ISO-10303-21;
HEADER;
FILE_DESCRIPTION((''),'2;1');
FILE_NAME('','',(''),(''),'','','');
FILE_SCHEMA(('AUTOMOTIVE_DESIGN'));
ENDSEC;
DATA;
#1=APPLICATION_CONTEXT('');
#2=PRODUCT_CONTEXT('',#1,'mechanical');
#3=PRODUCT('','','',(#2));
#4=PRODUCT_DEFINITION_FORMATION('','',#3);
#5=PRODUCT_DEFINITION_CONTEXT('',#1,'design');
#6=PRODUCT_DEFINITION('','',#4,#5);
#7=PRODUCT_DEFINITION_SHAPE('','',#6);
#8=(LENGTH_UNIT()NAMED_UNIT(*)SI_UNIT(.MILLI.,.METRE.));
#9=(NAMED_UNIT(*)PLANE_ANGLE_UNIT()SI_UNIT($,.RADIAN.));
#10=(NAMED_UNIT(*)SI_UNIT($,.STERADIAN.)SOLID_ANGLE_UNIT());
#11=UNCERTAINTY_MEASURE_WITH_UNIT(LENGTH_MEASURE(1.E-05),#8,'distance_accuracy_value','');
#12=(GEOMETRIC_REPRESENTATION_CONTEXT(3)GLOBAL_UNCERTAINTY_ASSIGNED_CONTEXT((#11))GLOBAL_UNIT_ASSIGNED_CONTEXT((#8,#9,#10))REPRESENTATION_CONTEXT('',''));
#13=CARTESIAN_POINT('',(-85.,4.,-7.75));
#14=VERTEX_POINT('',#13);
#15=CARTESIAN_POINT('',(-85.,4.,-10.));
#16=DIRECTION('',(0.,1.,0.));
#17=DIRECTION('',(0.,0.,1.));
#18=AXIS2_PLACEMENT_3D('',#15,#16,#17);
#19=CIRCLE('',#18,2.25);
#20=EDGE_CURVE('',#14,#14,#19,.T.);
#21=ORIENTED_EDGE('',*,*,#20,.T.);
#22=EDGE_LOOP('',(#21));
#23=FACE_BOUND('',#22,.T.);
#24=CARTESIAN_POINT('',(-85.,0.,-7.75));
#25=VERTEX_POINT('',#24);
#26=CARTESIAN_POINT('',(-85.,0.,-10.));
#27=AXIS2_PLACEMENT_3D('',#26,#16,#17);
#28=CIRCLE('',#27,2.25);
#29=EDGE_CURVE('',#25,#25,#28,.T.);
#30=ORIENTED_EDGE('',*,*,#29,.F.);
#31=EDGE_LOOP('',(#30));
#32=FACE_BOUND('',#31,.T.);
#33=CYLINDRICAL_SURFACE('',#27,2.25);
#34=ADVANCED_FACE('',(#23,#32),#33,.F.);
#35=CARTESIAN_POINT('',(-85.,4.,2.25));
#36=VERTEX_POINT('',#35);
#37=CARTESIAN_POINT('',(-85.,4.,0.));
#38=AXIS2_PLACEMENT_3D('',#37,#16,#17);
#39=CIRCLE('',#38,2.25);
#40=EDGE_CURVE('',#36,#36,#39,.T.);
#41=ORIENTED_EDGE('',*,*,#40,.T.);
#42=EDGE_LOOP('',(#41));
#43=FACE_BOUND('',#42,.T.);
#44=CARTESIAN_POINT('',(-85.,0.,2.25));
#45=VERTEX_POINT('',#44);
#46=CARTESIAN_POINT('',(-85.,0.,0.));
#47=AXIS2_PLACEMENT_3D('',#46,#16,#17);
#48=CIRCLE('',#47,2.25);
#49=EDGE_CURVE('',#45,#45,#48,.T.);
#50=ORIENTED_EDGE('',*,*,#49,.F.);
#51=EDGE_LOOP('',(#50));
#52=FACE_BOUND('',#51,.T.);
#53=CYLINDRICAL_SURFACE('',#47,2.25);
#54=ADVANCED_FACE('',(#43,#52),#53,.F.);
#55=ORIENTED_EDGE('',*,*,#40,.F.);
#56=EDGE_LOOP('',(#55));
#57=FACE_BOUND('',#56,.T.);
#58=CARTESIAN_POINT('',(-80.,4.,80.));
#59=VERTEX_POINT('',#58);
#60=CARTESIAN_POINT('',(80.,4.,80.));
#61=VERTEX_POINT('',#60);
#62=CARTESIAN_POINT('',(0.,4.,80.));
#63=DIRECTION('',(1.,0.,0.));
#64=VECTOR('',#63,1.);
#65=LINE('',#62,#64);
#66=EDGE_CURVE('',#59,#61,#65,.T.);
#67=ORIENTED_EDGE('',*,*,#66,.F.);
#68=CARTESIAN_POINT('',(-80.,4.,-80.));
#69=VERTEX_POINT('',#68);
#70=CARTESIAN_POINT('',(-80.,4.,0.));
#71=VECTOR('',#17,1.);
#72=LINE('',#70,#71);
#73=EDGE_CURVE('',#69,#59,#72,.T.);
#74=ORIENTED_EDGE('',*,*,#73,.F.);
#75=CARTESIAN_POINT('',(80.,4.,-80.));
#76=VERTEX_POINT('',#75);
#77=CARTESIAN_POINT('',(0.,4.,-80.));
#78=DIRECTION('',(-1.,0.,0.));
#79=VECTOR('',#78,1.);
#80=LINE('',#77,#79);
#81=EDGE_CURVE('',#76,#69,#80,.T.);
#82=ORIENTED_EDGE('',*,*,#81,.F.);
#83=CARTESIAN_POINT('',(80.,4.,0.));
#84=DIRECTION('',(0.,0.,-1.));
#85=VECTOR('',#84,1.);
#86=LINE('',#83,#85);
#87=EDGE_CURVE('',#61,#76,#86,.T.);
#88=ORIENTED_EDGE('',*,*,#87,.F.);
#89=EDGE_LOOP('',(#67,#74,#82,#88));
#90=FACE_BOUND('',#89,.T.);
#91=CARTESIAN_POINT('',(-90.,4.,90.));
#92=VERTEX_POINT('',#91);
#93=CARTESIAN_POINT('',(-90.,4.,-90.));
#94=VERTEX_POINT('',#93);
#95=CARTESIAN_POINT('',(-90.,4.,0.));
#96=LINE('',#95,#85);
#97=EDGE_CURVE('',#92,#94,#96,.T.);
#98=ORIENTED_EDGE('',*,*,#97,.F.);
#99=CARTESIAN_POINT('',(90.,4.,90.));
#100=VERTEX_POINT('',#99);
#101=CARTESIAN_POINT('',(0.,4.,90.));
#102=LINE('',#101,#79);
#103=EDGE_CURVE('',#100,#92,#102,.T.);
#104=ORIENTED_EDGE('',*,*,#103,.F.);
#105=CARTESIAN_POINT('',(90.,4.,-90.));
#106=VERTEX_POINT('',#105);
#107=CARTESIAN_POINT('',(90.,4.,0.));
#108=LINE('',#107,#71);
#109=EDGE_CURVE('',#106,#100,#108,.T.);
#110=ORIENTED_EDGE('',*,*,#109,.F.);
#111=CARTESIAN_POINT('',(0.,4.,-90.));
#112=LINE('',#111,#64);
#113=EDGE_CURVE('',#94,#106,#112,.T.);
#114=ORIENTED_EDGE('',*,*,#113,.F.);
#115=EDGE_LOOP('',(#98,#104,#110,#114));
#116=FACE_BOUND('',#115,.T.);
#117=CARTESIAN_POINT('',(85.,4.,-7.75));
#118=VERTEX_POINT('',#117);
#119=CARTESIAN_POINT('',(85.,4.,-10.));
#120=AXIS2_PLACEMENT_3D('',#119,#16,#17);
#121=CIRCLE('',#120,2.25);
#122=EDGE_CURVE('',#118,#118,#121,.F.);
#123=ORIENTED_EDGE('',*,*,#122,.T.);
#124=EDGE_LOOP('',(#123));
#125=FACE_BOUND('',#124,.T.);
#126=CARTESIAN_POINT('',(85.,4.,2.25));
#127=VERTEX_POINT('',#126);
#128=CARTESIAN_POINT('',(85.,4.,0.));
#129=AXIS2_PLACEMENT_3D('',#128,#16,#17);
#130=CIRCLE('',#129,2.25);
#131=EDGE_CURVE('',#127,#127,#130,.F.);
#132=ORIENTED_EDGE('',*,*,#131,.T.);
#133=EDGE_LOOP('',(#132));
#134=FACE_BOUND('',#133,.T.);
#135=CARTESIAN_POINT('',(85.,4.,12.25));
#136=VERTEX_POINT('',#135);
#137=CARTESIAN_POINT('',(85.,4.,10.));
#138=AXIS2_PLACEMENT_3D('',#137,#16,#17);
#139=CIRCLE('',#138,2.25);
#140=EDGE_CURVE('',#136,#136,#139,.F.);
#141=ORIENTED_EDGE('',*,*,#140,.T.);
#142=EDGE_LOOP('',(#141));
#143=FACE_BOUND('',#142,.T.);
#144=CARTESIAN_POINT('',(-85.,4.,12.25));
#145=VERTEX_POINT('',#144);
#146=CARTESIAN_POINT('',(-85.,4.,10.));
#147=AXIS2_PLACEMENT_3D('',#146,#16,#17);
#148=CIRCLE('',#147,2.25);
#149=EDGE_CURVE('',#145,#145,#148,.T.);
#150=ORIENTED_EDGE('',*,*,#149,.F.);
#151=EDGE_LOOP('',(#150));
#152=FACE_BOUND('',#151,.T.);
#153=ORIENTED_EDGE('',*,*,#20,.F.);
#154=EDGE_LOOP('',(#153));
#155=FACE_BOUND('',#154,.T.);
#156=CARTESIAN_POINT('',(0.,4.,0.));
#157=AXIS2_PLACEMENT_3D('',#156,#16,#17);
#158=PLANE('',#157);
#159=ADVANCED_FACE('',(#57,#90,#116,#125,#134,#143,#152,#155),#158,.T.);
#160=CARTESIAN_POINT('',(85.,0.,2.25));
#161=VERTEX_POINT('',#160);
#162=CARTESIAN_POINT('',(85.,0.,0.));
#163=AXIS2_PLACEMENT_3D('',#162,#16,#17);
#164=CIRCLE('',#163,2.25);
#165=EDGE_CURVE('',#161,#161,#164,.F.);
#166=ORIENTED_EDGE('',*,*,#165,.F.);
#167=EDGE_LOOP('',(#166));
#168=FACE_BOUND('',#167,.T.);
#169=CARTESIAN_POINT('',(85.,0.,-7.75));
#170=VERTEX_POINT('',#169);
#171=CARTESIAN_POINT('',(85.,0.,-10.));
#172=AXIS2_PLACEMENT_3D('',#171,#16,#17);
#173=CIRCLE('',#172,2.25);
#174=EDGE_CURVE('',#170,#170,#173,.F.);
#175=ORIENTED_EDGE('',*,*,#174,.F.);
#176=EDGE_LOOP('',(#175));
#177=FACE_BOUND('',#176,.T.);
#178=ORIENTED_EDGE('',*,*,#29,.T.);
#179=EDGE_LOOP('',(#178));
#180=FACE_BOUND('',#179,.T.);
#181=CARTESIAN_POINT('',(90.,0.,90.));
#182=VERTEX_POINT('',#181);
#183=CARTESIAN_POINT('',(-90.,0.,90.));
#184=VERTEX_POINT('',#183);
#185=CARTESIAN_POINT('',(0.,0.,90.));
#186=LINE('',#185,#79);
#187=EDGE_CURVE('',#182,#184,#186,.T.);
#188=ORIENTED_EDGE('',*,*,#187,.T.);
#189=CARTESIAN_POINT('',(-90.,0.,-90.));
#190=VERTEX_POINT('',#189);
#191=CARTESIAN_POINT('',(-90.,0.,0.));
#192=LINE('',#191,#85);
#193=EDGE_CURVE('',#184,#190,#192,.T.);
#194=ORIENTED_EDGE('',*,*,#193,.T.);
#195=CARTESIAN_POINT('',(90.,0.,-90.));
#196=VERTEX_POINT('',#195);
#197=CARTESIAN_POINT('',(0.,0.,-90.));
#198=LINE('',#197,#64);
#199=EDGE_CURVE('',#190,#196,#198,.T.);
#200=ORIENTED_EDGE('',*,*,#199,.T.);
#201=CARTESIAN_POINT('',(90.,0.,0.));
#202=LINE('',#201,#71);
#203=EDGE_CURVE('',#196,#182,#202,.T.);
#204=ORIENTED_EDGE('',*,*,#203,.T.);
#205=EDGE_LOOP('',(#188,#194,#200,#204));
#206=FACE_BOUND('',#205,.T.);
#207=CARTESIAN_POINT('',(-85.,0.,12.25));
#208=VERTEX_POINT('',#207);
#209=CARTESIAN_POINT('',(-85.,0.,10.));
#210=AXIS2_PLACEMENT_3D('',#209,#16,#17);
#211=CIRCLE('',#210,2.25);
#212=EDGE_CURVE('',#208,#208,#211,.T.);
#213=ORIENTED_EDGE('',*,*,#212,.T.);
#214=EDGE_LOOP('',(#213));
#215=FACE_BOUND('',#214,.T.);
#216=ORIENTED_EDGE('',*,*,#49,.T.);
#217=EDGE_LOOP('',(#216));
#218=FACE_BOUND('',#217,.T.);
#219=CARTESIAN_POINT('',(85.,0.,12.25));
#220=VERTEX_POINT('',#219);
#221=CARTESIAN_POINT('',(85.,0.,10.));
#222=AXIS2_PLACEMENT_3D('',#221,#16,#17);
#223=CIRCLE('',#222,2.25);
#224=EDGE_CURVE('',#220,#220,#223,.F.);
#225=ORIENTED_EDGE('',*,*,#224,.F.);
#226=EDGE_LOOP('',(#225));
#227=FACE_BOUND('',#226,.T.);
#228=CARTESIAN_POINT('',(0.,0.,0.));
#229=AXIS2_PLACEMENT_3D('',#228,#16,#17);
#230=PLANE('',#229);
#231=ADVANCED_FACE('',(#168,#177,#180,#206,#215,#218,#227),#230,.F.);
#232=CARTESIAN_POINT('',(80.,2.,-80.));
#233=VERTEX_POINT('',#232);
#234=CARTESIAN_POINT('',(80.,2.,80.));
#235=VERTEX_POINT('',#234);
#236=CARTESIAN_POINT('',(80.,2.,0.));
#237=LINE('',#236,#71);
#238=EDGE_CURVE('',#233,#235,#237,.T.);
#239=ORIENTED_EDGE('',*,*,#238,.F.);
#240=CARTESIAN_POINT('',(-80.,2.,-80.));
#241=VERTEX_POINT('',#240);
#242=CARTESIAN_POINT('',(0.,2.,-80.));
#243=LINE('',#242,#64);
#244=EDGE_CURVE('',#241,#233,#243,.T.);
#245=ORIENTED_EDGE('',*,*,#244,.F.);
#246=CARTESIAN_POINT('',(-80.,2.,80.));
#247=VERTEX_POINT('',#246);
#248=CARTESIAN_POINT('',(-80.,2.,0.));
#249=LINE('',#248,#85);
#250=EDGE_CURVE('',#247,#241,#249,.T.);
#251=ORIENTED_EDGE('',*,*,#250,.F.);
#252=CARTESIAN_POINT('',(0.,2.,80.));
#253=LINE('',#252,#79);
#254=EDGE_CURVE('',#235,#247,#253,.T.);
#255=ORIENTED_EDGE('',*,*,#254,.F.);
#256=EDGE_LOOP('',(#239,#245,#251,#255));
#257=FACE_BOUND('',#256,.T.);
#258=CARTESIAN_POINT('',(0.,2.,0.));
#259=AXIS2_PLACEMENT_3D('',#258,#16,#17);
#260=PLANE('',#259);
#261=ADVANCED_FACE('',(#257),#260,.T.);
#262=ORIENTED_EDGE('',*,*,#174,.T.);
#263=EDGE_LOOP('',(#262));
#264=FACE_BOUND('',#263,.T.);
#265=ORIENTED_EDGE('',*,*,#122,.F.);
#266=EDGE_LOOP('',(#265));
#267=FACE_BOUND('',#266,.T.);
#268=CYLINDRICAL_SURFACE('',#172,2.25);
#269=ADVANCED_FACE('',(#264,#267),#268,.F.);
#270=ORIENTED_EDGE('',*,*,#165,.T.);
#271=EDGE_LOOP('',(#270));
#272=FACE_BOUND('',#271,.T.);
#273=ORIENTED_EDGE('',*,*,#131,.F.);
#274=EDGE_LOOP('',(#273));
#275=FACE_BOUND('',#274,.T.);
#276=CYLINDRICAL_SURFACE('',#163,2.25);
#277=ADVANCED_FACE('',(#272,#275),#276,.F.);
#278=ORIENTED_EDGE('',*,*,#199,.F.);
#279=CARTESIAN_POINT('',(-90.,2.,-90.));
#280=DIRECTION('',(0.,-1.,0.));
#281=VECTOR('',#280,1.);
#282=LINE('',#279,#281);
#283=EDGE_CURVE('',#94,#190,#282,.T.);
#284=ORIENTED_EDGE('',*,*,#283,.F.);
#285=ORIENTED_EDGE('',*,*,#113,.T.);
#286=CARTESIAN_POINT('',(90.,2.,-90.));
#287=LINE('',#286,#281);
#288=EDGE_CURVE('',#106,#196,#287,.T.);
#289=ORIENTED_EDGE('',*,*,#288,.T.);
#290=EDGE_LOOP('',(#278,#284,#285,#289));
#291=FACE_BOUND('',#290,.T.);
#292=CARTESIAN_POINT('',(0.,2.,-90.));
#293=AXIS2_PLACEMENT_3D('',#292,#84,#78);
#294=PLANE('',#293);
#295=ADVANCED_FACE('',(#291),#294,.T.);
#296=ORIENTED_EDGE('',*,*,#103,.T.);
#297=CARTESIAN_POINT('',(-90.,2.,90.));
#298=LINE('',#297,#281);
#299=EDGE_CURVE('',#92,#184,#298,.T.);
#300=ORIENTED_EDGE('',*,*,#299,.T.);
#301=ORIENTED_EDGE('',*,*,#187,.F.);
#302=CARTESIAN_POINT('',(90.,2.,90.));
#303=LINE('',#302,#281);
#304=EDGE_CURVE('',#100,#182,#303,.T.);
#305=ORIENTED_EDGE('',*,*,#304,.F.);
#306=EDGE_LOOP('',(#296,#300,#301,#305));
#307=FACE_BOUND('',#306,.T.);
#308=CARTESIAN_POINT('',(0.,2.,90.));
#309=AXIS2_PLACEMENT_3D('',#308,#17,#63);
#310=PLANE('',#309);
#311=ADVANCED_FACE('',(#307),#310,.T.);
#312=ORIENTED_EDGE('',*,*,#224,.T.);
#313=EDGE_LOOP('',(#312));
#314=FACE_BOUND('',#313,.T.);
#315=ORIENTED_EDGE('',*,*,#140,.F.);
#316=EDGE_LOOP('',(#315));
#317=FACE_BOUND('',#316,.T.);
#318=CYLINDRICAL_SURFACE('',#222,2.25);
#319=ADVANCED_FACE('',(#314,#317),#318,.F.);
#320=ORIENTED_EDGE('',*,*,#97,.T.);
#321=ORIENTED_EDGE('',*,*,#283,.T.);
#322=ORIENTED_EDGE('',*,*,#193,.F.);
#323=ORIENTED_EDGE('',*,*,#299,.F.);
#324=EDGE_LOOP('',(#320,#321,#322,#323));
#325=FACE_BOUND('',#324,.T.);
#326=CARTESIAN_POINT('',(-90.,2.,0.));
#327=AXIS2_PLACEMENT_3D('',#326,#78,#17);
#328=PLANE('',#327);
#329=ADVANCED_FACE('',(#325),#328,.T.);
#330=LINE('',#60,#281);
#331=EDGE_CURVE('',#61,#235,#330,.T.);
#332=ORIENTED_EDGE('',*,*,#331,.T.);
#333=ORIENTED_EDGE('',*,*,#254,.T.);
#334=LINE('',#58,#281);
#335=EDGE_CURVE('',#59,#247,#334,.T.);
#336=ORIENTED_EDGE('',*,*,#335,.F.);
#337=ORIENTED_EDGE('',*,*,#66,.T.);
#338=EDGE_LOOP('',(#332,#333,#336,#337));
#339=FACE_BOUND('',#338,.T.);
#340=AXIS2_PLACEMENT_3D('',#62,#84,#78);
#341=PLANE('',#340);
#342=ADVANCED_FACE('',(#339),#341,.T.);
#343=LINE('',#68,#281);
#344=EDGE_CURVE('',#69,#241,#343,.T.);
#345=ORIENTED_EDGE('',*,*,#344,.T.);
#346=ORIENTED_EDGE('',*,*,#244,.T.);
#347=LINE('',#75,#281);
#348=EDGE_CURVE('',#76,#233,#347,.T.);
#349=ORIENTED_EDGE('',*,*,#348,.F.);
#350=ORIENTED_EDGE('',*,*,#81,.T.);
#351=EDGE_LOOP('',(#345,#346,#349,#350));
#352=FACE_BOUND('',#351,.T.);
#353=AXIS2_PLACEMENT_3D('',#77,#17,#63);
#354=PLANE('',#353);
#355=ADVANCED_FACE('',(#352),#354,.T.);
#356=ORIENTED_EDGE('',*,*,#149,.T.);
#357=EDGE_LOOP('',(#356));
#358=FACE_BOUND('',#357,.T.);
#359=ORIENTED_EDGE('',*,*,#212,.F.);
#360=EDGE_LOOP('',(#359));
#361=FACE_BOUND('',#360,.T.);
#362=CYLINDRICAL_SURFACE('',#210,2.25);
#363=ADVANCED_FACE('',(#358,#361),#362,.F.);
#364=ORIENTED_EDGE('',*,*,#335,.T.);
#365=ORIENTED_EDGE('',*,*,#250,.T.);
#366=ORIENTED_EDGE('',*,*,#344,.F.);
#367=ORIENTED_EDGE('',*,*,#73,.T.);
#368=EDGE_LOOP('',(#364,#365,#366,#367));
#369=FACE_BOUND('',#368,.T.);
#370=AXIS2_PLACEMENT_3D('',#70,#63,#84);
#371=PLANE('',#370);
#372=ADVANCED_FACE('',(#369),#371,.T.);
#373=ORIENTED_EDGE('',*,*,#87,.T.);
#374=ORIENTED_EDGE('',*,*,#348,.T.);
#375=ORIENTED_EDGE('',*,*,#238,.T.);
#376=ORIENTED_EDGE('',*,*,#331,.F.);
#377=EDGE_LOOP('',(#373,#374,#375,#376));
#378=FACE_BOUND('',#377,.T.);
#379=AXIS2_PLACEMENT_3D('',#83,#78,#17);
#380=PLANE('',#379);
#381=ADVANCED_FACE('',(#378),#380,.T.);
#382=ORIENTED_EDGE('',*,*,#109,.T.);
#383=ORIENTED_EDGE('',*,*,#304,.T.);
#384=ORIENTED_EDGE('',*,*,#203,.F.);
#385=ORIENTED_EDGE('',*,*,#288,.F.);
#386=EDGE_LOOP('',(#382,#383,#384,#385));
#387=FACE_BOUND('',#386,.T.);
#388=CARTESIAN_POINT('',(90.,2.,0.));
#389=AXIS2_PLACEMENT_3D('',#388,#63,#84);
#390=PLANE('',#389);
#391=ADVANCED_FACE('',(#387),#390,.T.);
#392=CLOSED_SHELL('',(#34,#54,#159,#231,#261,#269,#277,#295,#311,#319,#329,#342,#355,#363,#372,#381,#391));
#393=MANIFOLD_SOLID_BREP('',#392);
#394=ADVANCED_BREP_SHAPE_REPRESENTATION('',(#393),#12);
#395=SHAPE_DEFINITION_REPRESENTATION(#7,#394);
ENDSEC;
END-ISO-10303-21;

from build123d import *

# Parameters (mm, degrees)
EXTRUDE_1_DEPTH          = 2
EXTRUDE_2_DEPTH          = 4
CUT_EXTRUDE_1_DEPTH      = 128.342059038
CUT_EXTRUDE_1_DEPTH_BACK = 128.342059038
SKETCH_3_R               = 2.25


with BuildPart() as part:
    # 草图2 → 凸台-拉伸1 (new body)
    with BuildSketch(Plane(origin=(0, 0, 0), x_dir=(1, 0, 0), z_dir=(0, 1, 0))):
        Polygon((-80, 90), (-90, 90), (-90, -90), (90, -90), (90, 90), align=None)
    extrude(amount=EXTRUDE_1_DEPTH)

    # 草图2<3> → 凸台-拉伸2 (add)
    with BuildSketch(Plane(origin=(0, 0, 0), x_dir=(1, 0, 0), z_dir=(0, 1, 0))):
        Polygon((80, 90), (-80, 90), (-90, 90), (-90, -90), (-80, -90), (90, -90), (90, -80), (90, 90), align=None)
        Polygon((-80, 80), (0, 80), (80, 80), (80, -80), (-80, -80), align=None, mode=Mode.SUBTRACT)
    extrude(amount=EXTRUDE_2_DEPTH)

    # 草图3 → 切除-拉伸1 (cut, two sides: drawn at the far end of the back side and taken through both)
    with BuildSketch(Plane(origin=(0, 4, 0), x_dir=(1, 0, 0), z_dir=(0, 1, 0)).offset(-CUT_EXTRUDE_1_DEPTH_BACK)):
        with Locations((-85, -10)):
            Circle(SKETCH_3_R)
        with Locations((-85, 10)):
            Circle(SKETCH_3_R)
        with Locations((-85, 0)):
            Circle(SKETCH_3_R)
        with Locations((85, 0)):
            Circle(SKETCH_3_R)
        with Locations((85, -10)):
            Circle(SKETCH_3_R)
        with Locations((85, 10)):
            Circle(SKETCH_3_R)
    extrude(amount=CUT_EXTRUDE_1_DEPTH + CUT_EXTRUDE_1_DEPTH_BACK, mode=Mode.SUBTRACT)


solid = part.part
